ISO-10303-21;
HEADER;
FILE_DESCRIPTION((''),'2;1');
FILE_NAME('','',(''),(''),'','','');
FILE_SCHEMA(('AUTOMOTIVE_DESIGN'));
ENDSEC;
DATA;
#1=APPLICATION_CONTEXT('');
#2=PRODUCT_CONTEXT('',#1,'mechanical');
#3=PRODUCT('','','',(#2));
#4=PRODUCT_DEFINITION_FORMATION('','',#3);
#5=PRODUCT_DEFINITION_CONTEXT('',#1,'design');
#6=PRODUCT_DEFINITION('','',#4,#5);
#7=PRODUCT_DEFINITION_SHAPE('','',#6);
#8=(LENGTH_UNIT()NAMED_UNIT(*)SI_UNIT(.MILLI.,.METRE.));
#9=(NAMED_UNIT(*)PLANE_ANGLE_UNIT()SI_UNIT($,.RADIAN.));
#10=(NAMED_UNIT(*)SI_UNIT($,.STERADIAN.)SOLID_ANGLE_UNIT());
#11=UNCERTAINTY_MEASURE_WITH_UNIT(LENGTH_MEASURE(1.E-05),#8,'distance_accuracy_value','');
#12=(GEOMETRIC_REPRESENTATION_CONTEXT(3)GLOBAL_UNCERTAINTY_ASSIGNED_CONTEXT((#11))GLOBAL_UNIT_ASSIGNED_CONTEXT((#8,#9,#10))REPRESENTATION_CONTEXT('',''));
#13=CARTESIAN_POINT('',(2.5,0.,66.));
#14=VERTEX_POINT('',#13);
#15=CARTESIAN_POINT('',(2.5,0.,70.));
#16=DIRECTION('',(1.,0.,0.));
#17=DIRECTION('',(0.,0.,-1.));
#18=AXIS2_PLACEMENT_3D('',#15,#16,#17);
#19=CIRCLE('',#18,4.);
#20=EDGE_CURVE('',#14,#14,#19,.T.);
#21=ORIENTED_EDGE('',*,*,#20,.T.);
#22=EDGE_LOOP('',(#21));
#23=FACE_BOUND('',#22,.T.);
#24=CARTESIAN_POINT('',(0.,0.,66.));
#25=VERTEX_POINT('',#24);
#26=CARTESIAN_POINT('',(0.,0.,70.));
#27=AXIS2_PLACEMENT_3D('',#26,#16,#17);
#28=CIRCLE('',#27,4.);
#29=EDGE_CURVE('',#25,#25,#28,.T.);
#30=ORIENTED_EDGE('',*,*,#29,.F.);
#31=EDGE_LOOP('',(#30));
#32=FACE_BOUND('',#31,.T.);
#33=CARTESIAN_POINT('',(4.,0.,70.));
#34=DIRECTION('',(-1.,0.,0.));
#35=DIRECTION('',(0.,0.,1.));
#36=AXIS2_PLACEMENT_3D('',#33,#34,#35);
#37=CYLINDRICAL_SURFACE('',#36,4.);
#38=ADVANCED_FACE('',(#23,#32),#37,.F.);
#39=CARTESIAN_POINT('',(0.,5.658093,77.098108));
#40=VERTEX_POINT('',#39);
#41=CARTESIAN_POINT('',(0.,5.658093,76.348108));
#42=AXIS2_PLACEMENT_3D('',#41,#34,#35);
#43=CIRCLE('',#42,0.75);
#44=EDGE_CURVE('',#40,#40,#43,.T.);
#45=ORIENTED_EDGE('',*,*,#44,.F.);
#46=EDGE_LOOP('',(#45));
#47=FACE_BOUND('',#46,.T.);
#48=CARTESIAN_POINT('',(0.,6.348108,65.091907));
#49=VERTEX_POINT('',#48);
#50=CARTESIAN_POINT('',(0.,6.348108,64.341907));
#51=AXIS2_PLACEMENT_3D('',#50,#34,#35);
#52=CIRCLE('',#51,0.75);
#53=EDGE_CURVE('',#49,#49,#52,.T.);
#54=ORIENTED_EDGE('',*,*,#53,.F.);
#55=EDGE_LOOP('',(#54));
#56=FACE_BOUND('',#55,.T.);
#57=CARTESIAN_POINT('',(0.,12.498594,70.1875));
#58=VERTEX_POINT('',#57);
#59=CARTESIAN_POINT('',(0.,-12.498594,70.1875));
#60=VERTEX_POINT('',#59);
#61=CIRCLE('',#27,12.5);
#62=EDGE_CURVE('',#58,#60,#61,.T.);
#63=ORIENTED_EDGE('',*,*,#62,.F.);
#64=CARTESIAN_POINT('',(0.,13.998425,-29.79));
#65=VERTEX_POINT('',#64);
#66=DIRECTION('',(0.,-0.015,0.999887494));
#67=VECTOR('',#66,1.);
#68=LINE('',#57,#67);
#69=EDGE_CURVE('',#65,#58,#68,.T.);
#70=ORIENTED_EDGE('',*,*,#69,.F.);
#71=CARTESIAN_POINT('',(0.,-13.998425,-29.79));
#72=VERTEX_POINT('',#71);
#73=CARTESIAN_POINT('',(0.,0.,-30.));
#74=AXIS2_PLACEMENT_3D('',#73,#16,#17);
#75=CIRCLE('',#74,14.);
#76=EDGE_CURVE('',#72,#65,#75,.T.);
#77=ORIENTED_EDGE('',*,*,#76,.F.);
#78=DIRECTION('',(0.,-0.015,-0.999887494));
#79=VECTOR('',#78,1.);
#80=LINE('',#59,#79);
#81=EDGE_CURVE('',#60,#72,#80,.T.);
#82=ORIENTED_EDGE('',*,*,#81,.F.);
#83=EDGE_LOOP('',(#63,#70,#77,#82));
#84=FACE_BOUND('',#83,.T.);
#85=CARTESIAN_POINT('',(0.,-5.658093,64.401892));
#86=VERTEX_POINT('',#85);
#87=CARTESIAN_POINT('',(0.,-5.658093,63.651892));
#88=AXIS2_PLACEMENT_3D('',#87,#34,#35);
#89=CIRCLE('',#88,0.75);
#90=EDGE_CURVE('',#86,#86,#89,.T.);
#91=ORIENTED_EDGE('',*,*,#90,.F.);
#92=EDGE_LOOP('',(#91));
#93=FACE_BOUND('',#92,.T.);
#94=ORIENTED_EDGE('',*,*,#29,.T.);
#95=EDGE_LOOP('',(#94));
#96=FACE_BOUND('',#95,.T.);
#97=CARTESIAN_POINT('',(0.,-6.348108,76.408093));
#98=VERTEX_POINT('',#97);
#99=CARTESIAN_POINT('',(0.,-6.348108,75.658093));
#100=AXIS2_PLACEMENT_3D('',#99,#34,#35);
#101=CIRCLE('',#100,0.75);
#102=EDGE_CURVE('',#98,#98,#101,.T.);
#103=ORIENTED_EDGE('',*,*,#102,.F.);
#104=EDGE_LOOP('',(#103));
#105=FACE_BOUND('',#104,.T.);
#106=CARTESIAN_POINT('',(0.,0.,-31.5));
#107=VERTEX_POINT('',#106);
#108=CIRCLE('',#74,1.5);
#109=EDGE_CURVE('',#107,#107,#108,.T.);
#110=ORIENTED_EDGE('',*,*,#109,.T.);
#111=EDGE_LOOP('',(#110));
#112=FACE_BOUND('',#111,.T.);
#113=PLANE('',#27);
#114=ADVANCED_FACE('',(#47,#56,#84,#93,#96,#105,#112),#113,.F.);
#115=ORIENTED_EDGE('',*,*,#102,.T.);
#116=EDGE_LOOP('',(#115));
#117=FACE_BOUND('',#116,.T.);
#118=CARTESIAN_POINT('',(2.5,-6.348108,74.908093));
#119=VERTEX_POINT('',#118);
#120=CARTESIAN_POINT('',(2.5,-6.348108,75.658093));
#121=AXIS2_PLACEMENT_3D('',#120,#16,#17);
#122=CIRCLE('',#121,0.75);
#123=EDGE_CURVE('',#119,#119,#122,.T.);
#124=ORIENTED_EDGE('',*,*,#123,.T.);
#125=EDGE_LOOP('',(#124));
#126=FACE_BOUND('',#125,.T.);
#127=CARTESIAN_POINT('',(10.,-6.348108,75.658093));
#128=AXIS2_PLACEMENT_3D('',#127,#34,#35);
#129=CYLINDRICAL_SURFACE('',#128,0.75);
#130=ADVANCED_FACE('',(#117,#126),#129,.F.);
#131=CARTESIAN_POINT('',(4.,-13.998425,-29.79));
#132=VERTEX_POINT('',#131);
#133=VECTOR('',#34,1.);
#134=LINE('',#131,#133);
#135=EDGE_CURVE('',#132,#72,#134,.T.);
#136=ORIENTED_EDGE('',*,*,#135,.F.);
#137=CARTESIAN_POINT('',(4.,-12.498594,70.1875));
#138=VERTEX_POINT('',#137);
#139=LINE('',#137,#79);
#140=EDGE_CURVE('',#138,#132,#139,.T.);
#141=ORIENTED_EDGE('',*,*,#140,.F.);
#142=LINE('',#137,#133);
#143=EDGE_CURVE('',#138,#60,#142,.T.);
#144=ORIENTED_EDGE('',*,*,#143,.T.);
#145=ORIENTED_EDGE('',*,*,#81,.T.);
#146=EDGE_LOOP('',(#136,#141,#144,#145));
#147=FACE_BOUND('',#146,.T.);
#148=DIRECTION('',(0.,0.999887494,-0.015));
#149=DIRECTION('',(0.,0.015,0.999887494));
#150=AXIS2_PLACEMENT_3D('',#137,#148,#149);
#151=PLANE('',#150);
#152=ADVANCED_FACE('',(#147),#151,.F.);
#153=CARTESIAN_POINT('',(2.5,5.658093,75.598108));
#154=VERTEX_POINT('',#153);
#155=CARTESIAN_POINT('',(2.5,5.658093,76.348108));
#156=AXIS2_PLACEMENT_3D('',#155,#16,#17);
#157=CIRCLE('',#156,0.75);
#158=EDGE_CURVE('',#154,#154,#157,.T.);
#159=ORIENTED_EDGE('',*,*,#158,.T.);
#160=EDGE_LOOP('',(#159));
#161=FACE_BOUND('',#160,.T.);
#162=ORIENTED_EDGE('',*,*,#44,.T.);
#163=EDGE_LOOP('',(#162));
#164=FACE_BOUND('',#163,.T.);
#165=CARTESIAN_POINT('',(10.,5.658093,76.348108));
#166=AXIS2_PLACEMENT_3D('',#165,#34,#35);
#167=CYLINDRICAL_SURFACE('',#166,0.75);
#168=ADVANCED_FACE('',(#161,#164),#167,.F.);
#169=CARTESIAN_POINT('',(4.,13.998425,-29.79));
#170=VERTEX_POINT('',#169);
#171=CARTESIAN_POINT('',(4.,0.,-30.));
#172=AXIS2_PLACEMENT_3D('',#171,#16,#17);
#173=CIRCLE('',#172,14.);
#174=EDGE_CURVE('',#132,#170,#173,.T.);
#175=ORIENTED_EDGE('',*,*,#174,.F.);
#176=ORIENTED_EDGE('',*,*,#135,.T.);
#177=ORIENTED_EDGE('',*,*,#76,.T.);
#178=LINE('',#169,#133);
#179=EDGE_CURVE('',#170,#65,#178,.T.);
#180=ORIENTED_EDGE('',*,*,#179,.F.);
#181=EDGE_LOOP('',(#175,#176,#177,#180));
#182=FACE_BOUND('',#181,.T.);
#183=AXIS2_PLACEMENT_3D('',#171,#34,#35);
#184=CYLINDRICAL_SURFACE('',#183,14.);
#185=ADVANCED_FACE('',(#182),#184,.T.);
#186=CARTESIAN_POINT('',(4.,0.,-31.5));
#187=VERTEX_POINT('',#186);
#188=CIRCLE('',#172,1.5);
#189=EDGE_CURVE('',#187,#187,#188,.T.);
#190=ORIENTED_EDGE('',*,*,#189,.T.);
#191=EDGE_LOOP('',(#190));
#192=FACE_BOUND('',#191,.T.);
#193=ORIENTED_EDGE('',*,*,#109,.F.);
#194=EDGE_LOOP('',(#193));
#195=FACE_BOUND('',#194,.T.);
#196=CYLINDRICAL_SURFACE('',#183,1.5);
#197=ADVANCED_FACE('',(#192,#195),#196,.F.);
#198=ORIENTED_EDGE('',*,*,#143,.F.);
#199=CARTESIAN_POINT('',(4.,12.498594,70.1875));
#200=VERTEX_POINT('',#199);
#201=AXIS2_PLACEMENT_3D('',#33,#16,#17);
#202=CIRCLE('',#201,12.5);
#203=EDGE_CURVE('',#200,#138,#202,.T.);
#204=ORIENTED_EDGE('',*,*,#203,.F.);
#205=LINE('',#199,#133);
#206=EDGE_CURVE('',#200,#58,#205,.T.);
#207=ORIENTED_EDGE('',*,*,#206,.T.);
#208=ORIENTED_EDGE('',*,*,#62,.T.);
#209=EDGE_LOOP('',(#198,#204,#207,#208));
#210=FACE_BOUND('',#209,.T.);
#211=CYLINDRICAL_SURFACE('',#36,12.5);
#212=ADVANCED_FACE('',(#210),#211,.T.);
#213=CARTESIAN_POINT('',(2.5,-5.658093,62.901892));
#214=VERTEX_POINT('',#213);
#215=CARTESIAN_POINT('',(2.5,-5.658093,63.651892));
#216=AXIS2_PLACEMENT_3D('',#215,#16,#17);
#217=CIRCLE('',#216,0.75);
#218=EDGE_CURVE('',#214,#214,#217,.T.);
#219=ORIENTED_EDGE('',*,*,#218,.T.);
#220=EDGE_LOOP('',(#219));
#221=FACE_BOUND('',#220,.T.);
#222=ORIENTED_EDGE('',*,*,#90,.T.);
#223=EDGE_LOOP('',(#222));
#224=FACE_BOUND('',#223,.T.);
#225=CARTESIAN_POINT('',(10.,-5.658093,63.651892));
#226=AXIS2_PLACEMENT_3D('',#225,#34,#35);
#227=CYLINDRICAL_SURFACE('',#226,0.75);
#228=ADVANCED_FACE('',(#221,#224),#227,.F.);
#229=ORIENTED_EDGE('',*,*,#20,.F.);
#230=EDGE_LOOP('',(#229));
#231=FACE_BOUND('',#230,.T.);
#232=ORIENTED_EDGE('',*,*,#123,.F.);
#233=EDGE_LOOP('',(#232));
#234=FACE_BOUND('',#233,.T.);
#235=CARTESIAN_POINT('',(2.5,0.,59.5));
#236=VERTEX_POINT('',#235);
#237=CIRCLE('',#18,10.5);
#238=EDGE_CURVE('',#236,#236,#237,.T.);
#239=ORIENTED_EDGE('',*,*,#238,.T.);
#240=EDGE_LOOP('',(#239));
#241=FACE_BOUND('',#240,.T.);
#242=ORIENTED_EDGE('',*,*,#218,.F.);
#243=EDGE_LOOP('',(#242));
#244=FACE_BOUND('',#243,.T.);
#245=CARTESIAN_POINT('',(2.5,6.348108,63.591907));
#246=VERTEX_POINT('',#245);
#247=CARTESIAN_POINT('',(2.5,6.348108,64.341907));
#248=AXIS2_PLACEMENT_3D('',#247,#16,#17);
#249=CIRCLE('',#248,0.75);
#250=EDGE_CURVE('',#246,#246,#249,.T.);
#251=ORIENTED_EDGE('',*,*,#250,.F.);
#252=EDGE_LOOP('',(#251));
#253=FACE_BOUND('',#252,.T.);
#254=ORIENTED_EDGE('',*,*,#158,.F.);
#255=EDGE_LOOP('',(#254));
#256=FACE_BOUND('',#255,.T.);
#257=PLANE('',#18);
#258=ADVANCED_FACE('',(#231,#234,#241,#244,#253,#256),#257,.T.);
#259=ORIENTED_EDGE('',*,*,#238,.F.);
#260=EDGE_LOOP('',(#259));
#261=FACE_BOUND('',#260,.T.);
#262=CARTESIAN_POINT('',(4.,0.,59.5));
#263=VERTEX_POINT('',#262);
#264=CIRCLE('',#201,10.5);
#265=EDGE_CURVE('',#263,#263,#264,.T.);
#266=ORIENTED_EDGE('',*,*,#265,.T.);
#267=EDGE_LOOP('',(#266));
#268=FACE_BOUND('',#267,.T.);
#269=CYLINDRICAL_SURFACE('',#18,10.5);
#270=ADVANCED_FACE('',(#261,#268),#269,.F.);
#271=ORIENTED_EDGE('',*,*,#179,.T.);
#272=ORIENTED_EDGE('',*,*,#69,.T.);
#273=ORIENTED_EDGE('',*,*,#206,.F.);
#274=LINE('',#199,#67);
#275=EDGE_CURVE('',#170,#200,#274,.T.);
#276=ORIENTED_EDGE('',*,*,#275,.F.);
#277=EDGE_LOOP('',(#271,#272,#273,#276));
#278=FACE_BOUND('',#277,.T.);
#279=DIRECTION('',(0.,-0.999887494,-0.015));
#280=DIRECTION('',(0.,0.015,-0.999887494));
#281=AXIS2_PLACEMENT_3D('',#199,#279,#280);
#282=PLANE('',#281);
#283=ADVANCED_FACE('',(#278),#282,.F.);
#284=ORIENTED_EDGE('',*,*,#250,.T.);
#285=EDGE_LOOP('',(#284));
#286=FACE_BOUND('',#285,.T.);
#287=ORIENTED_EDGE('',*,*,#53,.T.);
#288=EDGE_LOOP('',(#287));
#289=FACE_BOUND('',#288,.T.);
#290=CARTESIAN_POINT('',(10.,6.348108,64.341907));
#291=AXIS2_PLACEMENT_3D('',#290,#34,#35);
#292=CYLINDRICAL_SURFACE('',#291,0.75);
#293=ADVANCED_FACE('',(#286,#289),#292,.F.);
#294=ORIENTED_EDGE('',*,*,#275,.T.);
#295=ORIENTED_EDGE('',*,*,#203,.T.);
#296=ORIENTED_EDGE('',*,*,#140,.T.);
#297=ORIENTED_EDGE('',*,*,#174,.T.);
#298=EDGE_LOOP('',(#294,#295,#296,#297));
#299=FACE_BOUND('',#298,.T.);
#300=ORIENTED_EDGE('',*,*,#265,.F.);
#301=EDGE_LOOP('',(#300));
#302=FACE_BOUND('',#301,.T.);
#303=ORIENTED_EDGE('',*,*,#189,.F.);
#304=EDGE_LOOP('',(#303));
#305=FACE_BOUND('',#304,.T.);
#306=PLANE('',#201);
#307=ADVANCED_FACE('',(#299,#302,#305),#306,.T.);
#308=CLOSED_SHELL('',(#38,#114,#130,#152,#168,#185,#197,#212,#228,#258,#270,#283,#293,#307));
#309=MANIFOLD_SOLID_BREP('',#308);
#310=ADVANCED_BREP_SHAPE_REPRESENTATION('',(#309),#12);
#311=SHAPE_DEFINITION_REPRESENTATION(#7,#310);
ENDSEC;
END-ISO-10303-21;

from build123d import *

# Parameters (mm, degrees)
CROQUIS1_R              = 1.5
CROQUIS1_R_2            = 4
SALIENTE_EXTRUIR1_DEPTH = 4
CROQUIS2_R              = 10.5
CORTAR_EXTRUIR1_DEPTH   = 1.5
CROQUIS3_R              = 0.75
CORTAR_EXTRUIR2_DEPTH   = 10


with BuildPart() as part:
    # Croquis1 → Saliente-Extruir1 (new body)
    with BuildSketch(Plane(origin=(0, 0, 0), x_dir=(0, 0, -1), z_dir=(1, 0, 0))):
        with BuildLine():
            Line((-70.1875, 12.498593671), (29.79, 13.998424911))
            ThreePointArc((29.79, 13.998424911), (44, 0), (29.79, -13.998424911))
            Line((29.79, -13.998424911), (-70.1875, -12.498593671))
            ThreePointArc((-70.1875, -12.498593671), (-82.5, 0), (-70.1875, 12.498593671))
        make_face()
        with Locations((30, 0)):
            Circle(CROQUIS1_R, mode=Mode.SUBTRACT)
        with Locations((-70, 0)):
            Circle(CROQUIS1_R_2, mode=Mode.SUBTRACT)
    extrude(amount=SALIENTE_EXTRUIR1_DEPTH)

    # Croquis2 → Cortar-Extruir1 (cut)
    with BuildSketch(Plane(origin=(4, 0, 0), x_dir=(0, 0, -1), z_dir=(1, 0, 0))):
        with Locations((-70, 0)):
            Circle(CROQUIS2_R)
    extrude(amount=-CORTAR_EXTRUIR1_DEPTH, mode=Mode.SUBTRACT)

    # Croquis3 → Cortar-Extruir2 (cut)
    with BuildSketch(Plane.ZY):
        with Locations((63.65189161, -5.658093307)):
            Circle(CROQUIS3_R)
        with Locations((76.34810839, 5.658093307)):
            Circle(CROQUIS3_R)
        with Locations((64.341906693, 6.34810839)):
            Circle(CROQUIS3_R)
        with Locations((75.658093307, -6.34810839)):
            Circle(CROQUIS3_R)
    extrude(amount=-CORTAR_EXTRUIR2_DEPTH, mode=Mode.SUBTRACT)


solid = part.part
